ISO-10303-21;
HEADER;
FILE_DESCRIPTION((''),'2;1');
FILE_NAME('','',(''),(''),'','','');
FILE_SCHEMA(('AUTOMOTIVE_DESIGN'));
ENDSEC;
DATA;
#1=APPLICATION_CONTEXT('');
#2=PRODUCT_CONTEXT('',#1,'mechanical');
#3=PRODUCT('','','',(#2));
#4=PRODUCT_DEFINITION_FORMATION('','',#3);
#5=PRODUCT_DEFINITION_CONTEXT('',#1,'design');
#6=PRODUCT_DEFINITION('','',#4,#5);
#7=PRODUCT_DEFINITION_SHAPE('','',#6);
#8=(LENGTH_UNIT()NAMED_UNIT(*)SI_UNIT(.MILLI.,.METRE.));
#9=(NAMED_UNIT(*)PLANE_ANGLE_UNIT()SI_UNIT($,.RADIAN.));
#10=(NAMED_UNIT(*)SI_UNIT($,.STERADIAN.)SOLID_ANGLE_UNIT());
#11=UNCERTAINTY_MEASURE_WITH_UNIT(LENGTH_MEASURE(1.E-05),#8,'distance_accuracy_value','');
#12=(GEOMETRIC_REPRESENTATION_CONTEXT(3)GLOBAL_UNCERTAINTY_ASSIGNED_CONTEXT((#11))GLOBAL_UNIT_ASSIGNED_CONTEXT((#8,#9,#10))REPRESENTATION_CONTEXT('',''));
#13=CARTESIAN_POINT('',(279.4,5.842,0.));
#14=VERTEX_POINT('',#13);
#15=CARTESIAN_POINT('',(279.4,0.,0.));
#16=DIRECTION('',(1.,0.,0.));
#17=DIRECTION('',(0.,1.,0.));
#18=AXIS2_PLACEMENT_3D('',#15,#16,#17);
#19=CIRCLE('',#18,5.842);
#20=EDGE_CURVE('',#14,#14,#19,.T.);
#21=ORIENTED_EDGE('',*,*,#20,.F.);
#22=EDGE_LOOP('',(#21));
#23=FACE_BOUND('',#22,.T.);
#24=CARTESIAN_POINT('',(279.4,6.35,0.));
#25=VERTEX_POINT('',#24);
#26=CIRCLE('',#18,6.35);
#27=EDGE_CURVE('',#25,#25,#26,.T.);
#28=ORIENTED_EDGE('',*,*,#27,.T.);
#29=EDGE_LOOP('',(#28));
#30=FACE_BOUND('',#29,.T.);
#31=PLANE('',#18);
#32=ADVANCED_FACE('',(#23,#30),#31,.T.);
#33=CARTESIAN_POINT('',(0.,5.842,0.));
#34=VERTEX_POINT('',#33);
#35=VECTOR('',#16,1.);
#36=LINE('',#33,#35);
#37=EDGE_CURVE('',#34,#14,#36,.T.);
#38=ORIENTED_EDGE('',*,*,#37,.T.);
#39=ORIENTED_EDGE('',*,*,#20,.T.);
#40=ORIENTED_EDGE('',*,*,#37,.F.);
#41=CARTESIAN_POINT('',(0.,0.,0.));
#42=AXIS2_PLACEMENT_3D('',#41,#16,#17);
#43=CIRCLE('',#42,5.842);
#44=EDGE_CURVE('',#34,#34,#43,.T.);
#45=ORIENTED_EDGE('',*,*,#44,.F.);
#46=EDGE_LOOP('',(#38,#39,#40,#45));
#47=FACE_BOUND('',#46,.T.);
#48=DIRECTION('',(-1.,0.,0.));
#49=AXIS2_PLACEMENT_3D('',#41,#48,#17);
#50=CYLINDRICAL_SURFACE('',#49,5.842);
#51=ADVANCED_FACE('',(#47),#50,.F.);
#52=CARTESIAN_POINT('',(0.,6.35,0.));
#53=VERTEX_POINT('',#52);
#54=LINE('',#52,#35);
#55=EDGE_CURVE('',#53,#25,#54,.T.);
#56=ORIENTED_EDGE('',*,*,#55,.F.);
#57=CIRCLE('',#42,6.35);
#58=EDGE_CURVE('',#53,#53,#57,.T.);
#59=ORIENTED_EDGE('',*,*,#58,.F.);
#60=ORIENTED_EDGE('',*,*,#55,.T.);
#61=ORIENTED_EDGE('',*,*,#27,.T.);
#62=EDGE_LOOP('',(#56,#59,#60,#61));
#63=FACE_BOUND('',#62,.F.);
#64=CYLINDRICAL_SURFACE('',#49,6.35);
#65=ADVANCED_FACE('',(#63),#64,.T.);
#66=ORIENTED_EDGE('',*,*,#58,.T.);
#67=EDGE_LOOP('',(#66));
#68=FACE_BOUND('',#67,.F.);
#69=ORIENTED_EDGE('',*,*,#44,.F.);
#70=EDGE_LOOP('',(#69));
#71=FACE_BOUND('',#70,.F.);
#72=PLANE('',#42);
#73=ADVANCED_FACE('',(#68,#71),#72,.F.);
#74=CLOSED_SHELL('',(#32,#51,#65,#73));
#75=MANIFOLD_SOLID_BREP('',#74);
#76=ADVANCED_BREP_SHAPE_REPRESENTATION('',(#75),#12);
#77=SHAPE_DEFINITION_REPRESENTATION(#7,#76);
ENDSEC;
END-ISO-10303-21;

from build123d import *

# Parameters (mm, degrees)
F0_R     = 6.35
F1_DEPTH = 279.4
F2_R     = 5.842
F3_DEPTH = 279.4


with BuildPart() as f1:
    # F0 (on Right) → F1 (new body)
    with BuildSketch(Plane.YZ):
        Circle(F0_R)
    extrude(amount=F1_DEPTH)

    # F2 (on Right) → F3 (cut, through all)
    with BuildSketch(Plane.YZ):
        Circle(F2_R)
    extrude(amount=F3_DEPTH, mode=Mode.SUBTRACT)


solid = f1.part
